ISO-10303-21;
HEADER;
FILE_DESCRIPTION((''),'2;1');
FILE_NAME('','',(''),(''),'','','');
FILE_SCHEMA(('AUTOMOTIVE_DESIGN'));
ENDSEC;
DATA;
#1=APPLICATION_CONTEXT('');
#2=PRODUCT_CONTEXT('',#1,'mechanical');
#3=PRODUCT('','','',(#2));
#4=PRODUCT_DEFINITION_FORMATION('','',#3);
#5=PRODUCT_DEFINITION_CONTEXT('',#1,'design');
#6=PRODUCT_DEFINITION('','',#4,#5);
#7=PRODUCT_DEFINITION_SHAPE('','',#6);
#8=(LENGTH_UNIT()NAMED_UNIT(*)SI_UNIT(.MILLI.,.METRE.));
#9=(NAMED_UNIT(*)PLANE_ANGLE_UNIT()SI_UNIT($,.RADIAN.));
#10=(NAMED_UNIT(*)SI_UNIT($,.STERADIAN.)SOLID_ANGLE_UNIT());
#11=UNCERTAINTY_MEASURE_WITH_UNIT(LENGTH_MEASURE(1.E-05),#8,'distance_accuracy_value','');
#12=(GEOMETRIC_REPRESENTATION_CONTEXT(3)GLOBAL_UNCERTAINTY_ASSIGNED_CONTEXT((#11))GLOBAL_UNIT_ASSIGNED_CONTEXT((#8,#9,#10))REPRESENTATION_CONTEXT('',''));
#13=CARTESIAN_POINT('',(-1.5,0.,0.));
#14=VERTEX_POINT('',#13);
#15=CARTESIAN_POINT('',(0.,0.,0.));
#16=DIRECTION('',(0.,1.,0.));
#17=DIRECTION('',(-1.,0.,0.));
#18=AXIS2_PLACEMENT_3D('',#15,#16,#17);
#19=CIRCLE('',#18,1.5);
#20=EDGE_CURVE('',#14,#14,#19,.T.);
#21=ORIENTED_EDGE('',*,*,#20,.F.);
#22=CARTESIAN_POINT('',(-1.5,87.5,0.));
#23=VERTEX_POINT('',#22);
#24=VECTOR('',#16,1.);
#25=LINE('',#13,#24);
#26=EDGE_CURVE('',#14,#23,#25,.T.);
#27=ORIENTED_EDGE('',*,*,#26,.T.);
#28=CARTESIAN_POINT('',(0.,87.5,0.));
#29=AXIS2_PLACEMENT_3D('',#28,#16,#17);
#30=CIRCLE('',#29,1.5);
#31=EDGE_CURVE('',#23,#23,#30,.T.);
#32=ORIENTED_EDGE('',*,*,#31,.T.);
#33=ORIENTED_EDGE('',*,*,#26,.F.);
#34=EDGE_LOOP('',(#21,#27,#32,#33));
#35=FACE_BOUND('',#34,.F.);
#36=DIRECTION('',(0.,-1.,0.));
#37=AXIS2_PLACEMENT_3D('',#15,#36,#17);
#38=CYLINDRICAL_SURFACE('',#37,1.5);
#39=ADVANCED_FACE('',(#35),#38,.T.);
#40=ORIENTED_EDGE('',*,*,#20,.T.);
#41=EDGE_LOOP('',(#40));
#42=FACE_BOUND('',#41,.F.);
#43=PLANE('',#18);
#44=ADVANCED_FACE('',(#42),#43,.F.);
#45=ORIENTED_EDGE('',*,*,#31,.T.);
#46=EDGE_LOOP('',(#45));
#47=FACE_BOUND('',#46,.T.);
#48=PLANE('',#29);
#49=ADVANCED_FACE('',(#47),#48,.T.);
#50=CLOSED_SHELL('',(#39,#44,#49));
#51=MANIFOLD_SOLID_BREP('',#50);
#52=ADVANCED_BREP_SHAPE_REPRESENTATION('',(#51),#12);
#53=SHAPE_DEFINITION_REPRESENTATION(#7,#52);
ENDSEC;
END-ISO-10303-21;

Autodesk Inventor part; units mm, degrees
ref_plane "YZ Plane" through (0, 0, 0) normal (1, 0, 0) x (0, 1, 0)
ref_plane "XZ Plane" through (0, 0, 0) normal (0, 1, 0) x (-1, 0, 0)
ref_plane "XY Plane" through (0, 0, 0) normal (0, 0, 1) x (1, 0, 0)
sketch "Sketch1" plane through (0, 0, 0) normal (0, 1, 0) x (-1, 0, 0)
  circle A0 centre (0, 0) radius 1.5
  dimension "d0" = 3
extrude "Extrusion1" add sketch "Sketch1" along normal blind 87.5
properties part number "87.5mm Standoff" material "Nylon 6/6"
